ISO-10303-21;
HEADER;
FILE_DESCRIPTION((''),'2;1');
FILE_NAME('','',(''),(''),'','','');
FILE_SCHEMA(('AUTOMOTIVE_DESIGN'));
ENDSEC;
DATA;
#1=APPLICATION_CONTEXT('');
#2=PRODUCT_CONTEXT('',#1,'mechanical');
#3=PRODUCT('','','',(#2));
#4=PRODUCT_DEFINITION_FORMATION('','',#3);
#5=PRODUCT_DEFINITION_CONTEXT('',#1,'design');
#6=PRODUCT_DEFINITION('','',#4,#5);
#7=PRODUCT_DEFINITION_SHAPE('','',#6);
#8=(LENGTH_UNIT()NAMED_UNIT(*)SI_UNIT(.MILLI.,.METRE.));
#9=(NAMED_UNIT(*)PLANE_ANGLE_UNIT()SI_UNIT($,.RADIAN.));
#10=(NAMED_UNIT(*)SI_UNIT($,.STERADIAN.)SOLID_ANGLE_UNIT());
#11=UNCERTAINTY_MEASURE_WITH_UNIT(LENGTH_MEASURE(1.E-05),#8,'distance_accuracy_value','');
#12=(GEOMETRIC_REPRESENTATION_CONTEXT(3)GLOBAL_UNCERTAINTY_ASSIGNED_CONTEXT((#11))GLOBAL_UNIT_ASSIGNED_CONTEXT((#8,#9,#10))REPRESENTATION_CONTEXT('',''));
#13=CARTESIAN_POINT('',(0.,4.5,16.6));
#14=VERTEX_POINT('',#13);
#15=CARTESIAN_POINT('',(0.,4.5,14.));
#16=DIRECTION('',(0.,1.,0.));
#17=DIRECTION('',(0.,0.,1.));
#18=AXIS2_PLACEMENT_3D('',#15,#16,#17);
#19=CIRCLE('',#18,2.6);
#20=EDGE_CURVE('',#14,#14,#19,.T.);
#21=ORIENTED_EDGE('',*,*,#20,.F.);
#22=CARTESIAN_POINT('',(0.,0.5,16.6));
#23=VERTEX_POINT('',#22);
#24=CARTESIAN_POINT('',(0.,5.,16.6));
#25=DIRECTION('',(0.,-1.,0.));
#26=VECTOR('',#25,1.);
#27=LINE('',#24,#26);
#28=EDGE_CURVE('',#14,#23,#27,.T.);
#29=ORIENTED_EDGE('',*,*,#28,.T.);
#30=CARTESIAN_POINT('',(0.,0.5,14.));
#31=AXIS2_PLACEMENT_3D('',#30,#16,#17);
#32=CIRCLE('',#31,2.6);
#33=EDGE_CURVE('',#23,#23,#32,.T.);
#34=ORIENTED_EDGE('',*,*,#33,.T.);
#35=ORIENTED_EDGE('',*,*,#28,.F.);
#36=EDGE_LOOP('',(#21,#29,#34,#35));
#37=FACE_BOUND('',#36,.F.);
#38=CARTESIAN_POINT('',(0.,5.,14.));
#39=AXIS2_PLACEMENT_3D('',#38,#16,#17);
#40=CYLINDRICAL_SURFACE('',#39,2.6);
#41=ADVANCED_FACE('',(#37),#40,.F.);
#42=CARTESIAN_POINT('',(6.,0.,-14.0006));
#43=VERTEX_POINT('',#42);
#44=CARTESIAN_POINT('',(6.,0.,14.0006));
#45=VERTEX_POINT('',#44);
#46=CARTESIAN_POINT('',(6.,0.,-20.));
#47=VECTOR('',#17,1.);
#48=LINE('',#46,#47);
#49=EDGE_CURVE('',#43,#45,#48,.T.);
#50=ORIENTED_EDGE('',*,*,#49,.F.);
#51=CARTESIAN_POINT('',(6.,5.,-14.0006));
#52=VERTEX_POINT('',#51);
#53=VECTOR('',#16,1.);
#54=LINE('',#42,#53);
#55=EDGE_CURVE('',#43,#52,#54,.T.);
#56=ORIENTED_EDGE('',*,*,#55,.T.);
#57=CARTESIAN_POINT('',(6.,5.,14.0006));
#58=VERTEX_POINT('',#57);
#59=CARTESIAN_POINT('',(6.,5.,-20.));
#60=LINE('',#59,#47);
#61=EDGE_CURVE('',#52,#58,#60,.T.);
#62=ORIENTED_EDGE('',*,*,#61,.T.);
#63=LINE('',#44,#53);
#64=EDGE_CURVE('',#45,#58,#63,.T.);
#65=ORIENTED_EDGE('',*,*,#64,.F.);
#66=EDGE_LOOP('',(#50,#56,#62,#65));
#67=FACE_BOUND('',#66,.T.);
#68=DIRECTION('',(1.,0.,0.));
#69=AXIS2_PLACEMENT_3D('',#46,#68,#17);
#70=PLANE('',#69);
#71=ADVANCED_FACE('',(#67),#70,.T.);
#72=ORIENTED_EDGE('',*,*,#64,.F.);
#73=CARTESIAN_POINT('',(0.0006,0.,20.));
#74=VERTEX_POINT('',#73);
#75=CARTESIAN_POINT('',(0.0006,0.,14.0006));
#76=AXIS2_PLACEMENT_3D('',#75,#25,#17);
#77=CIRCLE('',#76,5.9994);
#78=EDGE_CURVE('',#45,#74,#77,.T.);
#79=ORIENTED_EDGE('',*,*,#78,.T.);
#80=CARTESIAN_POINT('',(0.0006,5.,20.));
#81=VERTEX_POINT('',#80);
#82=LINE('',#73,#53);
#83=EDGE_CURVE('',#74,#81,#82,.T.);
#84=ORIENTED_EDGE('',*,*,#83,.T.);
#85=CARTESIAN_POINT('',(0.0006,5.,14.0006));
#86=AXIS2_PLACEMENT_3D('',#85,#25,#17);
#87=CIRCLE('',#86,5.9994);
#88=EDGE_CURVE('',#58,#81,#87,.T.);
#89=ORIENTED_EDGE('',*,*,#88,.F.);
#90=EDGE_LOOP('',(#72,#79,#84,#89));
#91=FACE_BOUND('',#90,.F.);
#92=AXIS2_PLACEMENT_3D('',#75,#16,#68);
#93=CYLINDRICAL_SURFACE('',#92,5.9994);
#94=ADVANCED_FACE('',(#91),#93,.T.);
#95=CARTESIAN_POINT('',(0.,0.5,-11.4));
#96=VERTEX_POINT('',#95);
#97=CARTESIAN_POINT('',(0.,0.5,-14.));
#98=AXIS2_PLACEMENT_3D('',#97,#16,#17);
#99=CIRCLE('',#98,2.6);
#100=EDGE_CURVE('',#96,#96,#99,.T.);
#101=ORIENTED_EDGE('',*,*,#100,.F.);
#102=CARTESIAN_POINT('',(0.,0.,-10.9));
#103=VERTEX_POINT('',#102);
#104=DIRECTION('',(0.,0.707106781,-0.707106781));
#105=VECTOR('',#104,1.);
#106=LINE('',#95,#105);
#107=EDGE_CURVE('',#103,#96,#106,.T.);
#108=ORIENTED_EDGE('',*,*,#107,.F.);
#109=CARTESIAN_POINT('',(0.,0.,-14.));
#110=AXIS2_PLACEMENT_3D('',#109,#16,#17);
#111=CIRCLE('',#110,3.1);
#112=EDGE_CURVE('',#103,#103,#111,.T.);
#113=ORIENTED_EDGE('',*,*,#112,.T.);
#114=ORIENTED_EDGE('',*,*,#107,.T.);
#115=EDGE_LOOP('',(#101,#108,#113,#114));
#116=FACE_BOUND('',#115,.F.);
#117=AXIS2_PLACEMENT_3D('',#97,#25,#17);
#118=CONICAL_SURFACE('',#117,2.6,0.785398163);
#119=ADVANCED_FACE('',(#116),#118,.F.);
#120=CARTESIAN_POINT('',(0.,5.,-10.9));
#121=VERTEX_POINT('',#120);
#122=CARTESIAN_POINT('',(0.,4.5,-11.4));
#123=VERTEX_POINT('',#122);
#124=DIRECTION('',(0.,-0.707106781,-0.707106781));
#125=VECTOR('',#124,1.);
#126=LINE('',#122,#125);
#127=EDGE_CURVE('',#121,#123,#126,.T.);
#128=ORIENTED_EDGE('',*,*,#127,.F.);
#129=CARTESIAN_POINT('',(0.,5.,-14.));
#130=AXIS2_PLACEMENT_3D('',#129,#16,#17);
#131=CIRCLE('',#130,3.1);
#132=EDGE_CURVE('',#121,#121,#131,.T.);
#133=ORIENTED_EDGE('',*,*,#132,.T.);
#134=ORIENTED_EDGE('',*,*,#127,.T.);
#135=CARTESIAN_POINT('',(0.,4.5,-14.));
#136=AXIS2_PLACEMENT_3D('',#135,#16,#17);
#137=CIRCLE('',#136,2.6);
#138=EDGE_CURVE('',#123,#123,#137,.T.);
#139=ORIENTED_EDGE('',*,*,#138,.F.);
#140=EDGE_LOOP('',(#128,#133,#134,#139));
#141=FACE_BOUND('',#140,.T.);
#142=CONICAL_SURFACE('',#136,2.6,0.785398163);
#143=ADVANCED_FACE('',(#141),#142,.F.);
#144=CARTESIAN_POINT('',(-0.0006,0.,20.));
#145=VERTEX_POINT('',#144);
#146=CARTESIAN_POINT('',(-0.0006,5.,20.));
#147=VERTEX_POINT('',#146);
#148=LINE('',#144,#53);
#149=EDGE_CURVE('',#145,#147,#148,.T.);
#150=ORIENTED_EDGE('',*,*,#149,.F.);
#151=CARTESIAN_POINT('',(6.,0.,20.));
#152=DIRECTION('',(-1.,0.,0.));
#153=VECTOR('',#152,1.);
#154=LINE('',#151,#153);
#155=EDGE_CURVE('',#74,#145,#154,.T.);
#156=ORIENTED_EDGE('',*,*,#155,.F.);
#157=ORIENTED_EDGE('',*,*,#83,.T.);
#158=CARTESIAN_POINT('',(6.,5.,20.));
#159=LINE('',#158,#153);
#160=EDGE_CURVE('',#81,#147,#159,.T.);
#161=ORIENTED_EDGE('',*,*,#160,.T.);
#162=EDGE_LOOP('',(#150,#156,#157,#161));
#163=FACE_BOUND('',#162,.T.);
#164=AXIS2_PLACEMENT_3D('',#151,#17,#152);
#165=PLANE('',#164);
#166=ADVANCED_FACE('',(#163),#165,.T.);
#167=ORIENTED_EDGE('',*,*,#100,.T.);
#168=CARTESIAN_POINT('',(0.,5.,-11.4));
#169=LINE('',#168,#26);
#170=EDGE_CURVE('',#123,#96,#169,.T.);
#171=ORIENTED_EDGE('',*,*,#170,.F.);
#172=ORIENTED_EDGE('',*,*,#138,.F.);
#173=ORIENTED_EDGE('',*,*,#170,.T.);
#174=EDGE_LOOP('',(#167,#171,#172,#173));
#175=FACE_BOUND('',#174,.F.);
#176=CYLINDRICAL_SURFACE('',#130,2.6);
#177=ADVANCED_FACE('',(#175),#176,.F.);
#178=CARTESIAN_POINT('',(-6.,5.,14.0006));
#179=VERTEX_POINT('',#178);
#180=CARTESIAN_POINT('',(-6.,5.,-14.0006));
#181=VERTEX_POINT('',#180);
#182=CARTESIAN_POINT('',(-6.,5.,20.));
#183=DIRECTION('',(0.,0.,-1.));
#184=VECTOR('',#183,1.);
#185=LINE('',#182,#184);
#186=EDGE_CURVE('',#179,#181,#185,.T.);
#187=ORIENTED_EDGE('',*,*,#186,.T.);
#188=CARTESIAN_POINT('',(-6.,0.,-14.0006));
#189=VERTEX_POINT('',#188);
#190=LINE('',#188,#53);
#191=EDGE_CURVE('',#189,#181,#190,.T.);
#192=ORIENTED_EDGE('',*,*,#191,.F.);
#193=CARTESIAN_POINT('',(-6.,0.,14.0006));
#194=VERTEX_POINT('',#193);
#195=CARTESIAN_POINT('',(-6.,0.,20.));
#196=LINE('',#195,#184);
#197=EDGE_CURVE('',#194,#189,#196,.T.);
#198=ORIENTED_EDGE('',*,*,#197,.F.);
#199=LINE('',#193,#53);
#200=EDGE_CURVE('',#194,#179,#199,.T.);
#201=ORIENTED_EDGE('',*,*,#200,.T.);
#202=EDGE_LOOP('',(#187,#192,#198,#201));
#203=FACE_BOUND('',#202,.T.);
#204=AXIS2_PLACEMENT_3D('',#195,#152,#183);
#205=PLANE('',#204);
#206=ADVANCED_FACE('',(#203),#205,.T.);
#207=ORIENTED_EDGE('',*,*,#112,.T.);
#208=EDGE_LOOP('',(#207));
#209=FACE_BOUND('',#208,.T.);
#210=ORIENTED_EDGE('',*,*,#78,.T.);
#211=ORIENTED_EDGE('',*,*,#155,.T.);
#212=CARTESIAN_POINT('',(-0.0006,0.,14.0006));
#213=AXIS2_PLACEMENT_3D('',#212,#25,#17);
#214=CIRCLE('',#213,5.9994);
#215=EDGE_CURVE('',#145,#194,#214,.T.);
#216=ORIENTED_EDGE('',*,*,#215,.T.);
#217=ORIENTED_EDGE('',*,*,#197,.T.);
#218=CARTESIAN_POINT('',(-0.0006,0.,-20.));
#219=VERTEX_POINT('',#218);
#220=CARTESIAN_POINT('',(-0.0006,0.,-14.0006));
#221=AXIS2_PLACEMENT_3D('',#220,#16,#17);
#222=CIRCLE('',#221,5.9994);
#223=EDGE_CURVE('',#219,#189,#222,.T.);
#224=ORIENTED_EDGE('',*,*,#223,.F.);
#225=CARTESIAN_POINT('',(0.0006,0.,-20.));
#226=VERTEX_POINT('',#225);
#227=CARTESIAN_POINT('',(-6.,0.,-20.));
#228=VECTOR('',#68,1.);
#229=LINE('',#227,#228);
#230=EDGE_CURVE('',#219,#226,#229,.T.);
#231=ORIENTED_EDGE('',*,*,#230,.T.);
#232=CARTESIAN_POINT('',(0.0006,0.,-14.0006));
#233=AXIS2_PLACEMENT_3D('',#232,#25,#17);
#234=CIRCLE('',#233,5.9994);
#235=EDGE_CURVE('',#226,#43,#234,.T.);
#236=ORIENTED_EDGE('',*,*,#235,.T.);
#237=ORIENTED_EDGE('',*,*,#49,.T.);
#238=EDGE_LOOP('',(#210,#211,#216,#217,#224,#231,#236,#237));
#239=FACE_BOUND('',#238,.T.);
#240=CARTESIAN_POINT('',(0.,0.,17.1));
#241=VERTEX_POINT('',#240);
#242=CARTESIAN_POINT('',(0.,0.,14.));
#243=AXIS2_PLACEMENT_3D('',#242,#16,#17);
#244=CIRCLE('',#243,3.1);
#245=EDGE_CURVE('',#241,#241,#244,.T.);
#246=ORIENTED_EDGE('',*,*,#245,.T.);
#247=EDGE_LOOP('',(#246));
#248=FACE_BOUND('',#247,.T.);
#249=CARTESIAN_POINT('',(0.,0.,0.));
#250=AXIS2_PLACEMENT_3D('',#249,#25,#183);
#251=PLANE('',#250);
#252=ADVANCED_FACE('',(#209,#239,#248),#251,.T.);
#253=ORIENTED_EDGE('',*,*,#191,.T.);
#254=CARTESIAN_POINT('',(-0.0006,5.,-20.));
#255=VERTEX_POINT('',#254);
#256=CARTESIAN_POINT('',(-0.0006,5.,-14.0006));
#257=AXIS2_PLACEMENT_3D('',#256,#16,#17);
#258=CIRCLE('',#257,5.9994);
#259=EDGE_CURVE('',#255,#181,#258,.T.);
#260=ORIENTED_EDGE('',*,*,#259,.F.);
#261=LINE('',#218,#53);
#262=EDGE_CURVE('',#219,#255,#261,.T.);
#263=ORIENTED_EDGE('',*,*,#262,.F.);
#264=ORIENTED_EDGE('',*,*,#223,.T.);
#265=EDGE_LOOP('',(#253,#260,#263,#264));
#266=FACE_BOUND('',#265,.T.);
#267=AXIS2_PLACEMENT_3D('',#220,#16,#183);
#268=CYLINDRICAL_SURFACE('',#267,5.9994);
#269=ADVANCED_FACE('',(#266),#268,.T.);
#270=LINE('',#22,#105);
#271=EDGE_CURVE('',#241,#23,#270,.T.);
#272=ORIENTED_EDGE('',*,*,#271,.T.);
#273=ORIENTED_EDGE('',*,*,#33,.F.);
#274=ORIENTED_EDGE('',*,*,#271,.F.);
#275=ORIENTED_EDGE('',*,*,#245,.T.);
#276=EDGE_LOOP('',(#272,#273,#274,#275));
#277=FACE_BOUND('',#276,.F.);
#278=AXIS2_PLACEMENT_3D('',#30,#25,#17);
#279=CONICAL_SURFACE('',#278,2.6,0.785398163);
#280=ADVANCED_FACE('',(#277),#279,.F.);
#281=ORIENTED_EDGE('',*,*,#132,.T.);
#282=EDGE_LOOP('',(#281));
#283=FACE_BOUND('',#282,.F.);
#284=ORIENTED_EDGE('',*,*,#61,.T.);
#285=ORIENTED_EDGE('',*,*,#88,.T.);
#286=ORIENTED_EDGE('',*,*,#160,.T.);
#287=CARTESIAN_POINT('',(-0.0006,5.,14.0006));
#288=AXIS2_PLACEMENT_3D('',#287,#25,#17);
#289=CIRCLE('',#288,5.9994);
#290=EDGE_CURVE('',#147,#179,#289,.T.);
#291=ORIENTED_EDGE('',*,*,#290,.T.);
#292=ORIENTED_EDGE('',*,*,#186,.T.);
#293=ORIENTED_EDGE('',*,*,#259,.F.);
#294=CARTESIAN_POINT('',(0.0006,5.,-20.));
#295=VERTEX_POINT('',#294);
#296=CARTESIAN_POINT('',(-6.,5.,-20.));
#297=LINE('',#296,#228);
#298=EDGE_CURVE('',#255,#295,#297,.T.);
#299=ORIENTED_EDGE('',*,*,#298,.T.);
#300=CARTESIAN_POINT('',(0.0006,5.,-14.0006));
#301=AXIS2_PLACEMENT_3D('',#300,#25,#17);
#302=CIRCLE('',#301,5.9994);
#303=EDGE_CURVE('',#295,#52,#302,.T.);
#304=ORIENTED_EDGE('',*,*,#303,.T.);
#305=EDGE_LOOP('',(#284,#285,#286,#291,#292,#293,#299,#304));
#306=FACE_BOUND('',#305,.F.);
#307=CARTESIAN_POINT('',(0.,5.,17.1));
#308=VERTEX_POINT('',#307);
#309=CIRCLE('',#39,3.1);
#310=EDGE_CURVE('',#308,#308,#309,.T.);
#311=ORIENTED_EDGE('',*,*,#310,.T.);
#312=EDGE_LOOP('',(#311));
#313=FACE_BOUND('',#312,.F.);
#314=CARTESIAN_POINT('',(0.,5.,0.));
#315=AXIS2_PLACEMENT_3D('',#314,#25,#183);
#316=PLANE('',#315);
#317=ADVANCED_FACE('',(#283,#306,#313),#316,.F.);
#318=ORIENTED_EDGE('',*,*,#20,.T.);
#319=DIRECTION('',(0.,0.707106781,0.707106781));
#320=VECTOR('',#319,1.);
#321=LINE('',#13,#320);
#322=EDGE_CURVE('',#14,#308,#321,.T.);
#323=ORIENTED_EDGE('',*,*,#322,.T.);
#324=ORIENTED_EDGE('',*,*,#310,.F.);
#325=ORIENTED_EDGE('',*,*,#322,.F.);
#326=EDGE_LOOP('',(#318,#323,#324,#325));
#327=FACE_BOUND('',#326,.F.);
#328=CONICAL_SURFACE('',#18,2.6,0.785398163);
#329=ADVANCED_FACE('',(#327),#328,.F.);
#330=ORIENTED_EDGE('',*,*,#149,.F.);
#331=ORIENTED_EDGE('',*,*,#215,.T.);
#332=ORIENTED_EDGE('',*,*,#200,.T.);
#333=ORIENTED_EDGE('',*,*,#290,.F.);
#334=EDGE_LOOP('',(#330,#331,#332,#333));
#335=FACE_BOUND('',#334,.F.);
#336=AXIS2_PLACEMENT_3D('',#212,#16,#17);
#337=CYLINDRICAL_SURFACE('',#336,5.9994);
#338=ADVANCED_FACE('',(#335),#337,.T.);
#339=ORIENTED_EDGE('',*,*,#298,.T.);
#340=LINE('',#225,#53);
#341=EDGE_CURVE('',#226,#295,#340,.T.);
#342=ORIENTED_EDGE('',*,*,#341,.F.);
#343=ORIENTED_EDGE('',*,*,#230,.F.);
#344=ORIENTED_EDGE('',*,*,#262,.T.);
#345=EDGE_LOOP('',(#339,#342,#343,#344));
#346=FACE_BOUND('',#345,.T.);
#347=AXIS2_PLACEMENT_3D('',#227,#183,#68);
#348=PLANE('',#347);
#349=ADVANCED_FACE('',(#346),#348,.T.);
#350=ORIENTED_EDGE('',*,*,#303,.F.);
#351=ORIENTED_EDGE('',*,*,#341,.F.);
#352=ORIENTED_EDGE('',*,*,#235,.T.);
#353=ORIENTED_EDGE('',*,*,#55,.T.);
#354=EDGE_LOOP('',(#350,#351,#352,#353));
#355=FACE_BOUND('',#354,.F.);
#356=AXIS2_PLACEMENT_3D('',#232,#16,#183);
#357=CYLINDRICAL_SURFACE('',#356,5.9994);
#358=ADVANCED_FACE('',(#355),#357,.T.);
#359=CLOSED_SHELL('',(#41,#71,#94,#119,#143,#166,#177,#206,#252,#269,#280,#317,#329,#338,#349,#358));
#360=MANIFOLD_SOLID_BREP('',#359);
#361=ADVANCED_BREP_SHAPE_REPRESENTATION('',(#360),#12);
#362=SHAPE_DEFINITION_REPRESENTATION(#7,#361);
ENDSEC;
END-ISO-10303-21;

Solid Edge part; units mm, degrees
sketch "Sketch1" plane through (0, 0, 0) normal (0, -1, 0) x (1, 0, 0)
  line L0 (-6, -20) -> (6, -20)
  line L1 (6, -20) -> (6, 20)
  line L2 (6, 20) -> (-6, 20)
  line L3 (-6, 20) -> (-6, -20)
  dimension "D1" = 12
  dimension "D2" = 40
extrude "Protrusion1" add sketch "Sketch1" against normal blind 5
fillet "Verrundung_3" radius 6 4 edges at (-6, 2.5, 20) (6, 2.5, 20) (-6, 2.5, -20) (6, 2.5, -20)
sketch "Sketch2" plane through (0, 5, 0) normal (0, 1, 0) x (0, 0, 1)
  circle A0 centre (-14, 0) radius 2.6
  circle A1 centre (14, 0) radius 2.6
  dimension "D1" = 5.2
extrude "Cutout1" cut sketch "Sketch2" against normal through all
chamfer "Chamfer1" distance 0.5 angle 45 3 edges at (0, 5, -16.6) (0, 0, 16.6) (0, 0, -11.4)
chamfer "Fase_7" distance 0.5 angle 45 1 edges at (0, 5, 11.4)
properties material "Nylon, allgemein"
